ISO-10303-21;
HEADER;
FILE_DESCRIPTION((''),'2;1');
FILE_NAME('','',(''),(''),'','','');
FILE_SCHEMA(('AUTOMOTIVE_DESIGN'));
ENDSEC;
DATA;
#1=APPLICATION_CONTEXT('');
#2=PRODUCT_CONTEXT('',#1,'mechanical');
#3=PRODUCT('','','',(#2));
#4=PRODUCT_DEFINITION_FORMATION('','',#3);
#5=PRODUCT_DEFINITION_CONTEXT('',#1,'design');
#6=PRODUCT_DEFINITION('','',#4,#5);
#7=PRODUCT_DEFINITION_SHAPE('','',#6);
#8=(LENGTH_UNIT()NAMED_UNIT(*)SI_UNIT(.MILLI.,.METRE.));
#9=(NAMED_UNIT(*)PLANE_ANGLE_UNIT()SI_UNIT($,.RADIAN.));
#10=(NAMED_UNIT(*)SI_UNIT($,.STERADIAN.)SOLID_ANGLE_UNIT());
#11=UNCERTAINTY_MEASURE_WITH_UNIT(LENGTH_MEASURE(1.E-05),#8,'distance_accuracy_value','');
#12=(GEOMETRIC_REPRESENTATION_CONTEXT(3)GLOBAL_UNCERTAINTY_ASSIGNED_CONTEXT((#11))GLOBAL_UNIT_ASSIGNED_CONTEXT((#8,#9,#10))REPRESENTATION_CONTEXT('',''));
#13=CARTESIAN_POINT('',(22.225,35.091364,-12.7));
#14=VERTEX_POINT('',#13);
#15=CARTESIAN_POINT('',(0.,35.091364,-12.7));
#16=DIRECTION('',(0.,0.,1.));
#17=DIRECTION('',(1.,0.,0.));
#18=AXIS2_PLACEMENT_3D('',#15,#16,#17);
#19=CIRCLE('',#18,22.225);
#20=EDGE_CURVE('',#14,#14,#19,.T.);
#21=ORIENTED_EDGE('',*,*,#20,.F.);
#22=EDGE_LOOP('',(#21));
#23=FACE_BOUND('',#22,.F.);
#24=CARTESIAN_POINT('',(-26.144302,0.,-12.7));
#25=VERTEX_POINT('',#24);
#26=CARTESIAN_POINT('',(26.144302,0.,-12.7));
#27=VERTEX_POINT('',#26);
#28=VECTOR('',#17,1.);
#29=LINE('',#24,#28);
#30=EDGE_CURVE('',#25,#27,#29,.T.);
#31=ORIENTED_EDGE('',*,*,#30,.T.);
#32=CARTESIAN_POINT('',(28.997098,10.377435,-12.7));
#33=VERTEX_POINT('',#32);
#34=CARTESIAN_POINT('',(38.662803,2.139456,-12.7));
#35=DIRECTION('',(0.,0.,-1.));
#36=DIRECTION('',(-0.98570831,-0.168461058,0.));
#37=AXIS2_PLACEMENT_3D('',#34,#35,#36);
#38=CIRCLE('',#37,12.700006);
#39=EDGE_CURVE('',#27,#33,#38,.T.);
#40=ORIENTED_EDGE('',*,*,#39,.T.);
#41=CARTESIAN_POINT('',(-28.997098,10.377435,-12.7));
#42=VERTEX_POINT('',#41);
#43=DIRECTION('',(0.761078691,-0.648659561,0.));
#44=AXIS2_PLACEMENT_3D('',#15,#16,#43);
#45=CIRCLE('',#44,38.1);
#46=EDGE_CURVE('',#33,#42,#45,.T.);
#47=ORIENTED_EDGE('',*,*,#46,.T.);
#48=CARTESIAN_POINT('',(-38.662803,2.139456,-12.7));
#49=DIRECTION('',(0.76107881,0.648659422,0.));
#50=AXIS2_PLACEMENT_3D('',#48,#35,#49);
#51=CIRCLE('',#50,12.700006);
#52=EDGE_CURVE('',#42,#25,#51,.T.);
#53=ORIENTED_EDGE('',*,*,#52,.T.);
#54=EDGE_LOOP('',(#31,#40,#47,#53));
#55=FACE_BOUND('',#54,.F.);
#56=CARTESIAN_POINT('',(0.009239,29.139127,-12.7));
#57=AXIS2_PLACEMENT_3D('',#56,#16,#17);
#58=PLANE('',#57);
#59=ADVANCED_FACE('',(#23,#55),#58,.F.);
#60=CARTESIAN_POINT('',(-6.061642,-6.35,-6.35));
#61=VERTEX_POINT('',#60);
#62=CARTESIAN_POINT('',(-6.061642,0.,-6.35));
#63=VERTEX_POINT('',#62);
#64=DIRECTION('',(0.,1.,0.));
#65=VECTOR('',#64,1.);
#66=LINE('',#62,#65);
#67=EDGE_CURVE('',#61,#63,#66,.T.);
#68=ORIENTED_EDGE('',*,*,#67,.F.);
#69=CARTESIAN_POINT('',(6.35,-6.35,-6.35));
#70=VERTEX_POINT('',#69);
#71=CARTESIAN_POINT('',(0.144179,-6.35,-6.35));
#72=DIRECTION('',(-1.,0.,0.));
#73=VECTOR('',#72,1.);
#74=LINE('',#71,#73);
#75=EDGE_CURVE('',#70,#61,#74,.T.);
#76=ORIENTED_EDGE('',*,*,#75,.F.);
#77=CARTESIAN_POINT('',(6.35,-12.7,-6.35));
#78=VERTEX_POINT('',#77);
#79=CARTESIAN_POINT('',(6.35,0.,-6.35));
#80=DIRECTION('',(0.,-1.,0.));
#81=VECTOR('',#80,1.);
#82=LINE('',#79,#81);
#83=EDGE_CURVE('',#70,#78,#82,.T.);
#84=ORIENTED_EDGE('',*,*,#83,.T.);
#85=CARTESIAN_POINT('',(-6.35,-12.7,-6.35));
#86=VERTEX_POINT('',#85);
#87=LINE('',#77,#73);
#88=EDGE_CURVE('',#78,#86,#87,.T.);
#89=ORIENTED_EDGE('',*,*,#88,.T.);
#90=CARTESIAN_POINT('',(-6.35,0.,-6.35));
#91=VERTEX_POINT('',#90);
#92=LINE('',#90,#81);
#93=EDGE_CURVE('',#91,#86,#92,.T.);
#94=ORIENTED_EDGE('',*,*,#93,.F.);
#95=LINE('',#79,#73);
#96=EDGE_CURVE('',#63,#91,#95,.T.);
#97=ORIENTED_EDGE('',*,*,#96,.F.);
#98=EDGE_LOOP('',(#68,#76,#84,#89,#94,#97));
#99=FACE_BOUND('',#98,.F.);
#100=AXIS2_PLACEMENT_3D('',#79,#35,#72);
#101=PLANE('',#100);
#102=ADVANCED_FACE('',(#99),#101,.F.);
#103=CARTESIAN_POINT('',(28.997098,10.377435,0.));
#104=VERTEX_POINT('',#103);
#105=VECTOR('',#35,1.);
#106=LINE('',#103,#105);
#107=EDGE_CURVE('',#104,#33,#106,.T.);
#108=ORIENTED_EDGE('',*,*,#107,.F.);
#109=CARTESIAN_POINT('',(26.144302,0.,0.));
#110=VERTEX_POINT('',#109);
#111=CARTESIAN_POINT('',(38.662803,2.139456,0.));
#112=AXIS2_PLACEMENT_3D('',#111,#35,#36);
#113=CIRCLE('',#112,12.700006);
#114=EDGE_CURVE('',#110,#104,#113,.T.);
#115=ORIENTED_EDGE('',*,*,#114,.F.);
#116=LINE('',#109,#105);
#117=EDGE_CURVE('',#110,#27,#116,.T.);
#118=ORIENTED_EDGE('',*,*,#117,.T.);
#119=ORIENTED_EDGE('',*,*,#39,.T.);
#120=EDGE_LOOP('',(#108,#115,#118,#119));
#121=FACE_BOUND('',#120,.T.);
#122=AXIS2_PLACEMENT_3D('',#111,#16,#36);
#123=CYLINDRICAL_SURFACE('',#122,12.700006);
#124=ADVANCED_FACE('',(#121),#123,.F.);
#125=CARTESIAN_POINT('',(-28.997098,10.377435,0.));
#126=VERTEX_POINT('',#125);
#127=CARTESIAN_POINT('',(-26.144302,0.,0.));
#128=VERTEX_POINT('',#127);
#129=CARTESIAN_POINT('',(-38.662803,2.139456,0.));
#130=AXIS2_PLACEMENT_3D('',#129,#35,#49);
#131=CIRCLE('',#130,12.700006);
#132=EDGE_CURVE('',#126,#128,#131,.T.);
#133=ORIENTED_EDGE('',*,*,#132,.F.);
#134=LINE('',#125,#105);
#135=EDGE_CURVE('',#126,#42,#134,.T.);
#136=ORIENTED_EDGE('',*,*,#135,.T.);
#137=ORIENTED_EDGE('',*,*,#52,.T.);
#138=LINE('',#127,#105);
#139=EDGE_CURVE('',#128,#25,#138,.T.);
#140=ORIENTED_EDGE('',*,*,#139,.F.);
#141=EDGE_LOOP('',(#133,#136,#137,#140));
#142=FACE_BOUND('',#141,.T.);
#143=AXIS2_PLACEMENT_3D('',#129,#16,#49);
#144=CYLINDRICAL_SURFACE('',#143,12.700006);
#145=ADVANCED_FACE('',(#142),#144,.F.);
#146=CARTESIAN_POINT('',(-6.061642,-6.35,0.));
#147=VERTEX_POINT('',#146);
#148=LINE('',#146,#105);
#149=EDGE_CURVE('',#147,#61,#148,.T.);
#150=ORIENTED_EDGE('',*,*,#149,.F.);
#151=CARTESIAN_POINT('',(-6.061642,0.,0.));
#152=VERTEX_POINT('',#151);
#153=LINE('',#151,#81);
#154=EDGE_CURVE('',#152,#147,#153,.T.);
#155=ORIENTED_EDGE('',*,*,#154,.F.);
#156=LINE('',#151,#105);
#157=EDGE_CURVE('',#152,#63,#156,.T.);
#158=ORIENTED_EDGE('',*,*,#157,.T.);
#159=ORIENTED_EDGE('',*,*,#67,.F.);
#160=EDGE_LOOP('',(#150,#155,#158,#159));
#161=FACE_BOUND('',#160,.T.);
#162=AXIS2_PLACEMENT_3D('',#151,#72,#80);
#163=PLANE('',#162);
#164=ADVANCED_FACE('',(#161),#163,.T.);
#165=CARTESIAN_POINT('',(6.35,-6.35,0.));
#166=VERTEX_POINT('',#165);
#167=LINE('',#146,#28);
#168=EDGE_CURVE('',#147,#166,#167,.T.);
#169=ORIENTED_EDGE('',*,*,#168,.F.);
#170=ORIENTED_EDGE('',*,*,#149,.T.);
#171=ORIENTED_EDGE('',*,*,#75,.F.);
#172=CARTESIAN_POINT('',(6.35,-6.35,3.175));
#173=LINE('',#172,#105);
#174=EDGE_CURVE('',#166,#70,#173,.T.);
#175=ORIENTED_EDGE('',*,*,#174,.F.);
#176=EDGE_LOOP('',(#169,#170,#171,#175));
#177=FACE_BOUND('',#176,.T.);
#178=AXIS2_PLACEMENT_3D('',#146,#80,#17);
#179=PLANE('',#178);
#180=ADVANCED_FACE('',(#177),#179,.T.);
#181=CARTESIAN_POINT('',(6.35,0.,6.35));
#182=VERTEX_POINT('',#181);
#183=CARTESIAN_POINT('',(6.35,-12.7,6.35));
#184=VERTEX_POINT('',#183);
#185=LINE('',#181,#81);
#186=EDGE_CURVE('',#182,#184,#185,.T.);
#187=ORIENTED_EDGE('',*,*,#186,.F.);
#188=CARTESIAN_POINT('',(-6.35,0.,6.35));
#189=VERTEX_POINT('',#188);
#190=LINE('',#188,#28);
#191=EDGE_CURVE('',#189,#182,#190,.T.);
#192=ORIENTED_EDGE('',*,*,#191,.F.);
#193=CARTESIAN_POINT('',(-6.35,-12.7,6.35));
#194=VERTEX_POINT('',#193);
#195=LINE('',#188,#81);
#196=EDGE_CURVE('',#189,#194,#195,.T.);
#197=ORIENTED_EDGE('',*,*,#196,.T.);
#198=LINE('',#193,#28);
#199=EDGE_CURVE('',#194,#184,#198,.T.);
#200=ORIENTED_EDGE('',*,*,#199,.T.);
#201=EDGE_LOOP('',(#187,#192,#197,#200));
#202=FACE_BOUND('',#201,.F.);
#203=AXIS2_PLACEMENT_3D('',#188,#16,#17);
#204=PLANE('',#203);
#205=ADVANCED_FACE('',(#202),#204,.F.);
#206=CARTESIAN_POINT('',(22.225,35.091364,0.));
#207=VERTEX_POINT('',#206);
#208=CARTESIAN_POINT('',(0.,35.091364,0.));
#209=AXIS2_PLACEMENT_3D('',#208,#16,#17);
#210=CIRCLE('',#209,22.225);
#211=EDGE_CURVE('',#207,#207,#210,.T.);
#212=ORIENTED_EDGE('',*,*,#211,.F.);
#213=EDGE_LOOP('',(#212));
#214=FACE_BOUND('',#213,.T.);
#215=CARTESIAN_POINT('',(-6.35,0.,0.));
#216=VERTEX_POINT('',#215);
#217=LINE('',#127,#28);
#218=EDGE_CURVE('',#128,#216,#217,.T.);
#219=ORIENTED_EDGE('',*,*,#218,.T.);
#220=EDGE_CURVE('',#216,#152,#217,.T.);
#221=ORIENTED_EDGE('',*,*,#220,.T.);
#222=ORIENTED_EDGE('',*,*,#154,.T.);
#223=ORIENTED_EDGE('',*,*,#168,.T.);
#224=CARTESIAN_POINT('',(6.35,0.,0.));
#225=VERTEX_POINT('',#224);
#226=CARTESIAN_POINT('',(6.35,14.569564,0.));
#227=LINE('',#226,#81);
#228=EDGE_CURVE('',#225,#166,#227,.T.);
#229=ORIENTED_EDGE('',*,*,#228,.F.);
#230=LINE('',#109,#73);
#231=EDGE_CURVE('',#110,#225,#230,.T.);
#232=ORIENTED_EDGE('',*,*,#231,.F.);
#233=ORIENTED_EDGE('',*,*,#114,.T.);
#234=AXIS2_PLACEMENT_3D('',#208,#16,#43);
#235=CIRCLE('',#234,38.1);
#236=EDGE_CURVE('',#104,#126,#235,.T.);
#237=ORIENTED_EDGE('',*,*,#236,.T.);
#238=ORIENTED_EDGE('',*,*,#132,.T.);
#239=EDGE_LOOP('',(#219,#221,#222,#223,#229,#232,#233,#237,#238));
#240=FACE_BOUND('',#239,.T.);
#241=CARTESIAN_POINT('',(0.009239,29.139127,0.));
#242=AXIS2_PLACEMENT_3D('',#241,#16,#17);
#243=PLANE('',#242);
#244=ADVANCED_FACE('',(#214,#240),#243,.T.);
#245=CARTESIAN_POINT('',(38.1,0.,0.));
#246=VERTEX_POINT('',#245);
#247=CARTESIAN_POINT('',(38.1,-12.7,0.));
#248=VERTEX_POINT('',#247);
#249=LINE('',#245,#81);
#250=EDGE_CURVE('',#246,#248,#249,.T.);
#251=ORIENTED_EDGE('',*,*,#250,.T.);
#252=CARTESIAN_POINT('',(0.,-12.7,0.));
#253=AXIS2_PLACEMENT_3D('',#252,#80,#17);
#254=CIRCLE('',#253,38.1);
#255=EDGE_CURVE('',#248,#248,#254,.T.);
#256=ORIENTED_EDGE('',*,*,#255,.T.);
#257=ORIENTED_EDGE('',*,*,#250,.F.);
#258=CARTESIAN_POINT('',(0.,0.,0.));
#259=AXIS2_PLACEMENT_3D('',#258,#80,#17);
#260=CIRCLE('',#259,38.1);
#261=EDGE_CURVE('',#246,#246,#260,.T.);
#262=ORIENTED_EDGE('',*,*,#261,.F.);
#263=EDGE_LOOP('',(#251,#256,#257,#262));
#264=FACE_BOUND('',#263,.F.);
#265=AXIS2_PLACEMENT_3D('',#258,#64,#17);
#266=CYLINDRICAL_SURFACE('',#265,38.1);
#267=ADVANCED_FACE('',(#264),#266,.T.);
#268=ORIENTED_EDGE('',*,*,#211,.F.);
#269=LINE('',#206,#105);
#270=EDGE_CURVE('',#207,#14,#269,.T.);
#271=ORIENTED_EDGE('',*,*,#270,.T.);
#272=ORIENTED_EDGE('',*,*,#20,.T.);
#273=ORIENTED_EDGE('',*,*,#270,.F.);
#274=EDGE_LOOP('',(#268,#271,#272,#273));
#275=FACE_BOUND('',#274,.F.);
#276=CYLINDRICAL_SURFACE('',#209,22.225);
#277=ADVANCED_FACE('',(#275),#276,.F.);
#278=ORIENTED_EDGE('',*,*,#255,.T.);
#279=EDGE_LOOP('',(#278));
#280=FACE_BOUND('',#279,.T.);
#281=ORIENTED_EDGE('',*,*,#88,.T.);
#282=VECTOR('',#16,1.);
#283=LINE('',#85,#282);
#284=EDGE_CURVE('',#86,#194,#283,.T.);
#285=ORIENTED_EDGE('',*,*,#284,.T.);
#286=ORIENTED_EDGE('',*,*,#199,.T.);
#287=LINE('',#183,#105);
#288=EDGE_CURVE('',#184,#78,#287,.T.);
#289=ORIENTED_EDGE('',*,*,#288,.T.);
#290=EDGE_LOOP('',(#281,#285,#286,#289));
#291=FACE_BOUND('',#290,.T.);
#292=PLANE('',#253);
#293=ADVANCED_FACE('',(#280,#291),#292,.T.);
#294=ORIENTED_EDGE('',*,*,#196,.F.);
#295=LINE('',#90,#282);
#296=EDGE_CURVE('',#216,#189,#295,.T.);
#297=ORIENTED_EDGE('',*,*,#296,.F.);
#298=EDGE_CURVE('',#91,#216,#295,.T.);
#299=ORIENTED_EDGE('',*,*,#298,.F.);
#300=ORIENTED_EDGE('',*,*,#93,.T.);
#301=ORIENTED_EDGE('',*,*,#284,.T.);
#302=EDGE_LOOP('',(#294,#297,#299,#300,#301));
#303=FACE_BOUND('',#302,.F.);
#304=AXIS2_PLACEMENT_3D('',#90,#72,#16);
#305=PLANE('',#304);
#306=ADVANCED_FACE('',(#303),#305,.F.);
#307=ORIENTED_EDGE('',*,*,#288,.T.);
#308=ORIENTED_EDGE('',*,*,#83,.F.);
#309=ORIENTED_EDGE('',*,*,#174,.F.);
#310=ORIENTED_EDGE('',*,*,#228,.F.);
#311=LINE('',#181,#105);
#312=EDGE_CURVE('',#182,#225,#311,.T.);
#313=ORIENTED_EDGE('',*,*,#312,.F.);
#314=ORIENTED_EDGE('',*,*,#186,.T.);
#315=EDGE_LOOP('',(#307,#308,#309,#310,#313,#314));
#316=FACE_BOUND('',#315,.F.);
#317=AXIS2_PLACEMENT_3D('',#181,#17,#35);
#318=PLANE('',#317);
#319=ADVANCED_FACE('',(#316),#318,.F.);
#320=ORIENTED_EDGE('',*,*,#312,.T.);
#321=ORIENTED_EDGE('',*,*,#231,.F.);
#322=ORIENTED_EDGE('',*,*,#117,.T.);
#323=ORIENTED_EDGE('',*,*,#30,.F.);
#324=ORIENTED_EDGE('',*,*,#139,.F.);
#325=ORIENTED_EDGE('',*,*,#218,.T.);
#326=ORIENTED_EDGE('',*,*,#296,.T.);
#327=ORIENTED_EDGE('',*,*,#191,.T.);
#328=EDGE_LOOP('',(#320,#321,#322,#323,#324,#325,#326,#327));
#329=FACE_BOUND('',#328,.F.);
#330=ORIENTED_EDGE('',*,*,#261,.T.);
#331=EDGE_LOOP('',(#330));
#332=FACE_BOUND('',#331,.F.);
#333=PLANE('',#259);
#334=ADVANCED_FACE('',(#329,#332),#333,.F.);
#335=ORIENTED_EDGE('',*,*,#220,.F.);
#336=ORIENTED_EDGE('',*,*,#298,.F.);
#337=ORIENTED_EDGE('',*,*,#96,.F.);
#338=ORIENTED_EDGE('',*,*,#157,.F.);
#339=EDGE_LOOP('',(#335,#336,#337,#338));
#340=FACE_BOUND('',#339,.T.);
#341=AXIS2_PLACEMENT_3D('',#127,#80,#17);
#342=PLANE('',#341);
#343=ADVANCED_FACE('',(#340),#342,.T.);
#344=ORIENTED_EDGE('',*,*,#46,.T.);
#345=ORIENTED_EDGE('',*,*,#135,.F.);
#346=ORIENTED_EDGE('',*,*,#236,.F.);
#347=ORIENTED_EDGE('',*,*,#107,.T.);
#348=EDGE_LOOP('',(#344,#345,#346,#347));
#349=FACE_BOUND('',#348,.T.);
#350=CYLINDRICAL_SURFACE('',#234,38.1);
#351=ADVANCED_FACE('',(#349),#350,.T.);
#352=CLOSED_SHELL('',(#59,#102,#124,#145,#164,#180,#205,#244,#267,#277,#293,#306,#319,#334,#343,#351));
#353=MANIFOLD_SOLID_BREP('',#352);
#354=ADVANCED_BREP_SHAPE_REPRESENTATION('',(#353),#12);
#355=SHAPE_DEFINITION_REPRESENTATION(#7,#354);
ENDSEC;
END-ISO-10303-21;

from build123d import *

# Parameters (mm, degrees)
F0_R     = 38.1
F1_DEPTH = 12.7
F2_R     = 22.225
F3_DEPTH = 12.7


with BuildPart() as f1:
    # F0 (on Front) → F1 (new body)
    with BuildSketch(Plane.XZ):
        Circle(F0_R)
        Polygon((-6.35, 0), (-6.35, 6.35), (0, 6.35), (6.35, 6.35), (6.35, -6.35), (-6.35, -6.35), align=None, mode=Mode.SUBTRACT)
    extrude(amount=F1_DEPTH)

    # F2 (on Top) → F3 (join)
    with BuildSketch(Plane.XY):
        with BuildLine():
            ThreePointArc((26.144302, 0), (26.417088, 5.50585), (28.997098, 10.377435))
            ThreePointArc((28.997098, 10.377435), (0, 73.191364), (-28.997098, 10.377435))
            ThreePointArc((-28.997098, 10.377435), (-26.417088, 5.50585), (-26.144302, 0))
            Line((-26.144302, 0), (-6.061642, 0))
            Line((-6.061642, 0), (-6.061642, -6.35))
            Line((-6.061642, -6.35), (6.417282, -6.35))
            Line((6.417282, -6.35), (6.417282, 0))
            Line((6.417282, 0), (26.144302, 0))
        make_face()
        with Locations((0, 35.091364)):
            Circle(F2_R, mode=Mode.SUBTRACT)
    extrude(amount=-F3_DEPTH)


solid = f1.part
